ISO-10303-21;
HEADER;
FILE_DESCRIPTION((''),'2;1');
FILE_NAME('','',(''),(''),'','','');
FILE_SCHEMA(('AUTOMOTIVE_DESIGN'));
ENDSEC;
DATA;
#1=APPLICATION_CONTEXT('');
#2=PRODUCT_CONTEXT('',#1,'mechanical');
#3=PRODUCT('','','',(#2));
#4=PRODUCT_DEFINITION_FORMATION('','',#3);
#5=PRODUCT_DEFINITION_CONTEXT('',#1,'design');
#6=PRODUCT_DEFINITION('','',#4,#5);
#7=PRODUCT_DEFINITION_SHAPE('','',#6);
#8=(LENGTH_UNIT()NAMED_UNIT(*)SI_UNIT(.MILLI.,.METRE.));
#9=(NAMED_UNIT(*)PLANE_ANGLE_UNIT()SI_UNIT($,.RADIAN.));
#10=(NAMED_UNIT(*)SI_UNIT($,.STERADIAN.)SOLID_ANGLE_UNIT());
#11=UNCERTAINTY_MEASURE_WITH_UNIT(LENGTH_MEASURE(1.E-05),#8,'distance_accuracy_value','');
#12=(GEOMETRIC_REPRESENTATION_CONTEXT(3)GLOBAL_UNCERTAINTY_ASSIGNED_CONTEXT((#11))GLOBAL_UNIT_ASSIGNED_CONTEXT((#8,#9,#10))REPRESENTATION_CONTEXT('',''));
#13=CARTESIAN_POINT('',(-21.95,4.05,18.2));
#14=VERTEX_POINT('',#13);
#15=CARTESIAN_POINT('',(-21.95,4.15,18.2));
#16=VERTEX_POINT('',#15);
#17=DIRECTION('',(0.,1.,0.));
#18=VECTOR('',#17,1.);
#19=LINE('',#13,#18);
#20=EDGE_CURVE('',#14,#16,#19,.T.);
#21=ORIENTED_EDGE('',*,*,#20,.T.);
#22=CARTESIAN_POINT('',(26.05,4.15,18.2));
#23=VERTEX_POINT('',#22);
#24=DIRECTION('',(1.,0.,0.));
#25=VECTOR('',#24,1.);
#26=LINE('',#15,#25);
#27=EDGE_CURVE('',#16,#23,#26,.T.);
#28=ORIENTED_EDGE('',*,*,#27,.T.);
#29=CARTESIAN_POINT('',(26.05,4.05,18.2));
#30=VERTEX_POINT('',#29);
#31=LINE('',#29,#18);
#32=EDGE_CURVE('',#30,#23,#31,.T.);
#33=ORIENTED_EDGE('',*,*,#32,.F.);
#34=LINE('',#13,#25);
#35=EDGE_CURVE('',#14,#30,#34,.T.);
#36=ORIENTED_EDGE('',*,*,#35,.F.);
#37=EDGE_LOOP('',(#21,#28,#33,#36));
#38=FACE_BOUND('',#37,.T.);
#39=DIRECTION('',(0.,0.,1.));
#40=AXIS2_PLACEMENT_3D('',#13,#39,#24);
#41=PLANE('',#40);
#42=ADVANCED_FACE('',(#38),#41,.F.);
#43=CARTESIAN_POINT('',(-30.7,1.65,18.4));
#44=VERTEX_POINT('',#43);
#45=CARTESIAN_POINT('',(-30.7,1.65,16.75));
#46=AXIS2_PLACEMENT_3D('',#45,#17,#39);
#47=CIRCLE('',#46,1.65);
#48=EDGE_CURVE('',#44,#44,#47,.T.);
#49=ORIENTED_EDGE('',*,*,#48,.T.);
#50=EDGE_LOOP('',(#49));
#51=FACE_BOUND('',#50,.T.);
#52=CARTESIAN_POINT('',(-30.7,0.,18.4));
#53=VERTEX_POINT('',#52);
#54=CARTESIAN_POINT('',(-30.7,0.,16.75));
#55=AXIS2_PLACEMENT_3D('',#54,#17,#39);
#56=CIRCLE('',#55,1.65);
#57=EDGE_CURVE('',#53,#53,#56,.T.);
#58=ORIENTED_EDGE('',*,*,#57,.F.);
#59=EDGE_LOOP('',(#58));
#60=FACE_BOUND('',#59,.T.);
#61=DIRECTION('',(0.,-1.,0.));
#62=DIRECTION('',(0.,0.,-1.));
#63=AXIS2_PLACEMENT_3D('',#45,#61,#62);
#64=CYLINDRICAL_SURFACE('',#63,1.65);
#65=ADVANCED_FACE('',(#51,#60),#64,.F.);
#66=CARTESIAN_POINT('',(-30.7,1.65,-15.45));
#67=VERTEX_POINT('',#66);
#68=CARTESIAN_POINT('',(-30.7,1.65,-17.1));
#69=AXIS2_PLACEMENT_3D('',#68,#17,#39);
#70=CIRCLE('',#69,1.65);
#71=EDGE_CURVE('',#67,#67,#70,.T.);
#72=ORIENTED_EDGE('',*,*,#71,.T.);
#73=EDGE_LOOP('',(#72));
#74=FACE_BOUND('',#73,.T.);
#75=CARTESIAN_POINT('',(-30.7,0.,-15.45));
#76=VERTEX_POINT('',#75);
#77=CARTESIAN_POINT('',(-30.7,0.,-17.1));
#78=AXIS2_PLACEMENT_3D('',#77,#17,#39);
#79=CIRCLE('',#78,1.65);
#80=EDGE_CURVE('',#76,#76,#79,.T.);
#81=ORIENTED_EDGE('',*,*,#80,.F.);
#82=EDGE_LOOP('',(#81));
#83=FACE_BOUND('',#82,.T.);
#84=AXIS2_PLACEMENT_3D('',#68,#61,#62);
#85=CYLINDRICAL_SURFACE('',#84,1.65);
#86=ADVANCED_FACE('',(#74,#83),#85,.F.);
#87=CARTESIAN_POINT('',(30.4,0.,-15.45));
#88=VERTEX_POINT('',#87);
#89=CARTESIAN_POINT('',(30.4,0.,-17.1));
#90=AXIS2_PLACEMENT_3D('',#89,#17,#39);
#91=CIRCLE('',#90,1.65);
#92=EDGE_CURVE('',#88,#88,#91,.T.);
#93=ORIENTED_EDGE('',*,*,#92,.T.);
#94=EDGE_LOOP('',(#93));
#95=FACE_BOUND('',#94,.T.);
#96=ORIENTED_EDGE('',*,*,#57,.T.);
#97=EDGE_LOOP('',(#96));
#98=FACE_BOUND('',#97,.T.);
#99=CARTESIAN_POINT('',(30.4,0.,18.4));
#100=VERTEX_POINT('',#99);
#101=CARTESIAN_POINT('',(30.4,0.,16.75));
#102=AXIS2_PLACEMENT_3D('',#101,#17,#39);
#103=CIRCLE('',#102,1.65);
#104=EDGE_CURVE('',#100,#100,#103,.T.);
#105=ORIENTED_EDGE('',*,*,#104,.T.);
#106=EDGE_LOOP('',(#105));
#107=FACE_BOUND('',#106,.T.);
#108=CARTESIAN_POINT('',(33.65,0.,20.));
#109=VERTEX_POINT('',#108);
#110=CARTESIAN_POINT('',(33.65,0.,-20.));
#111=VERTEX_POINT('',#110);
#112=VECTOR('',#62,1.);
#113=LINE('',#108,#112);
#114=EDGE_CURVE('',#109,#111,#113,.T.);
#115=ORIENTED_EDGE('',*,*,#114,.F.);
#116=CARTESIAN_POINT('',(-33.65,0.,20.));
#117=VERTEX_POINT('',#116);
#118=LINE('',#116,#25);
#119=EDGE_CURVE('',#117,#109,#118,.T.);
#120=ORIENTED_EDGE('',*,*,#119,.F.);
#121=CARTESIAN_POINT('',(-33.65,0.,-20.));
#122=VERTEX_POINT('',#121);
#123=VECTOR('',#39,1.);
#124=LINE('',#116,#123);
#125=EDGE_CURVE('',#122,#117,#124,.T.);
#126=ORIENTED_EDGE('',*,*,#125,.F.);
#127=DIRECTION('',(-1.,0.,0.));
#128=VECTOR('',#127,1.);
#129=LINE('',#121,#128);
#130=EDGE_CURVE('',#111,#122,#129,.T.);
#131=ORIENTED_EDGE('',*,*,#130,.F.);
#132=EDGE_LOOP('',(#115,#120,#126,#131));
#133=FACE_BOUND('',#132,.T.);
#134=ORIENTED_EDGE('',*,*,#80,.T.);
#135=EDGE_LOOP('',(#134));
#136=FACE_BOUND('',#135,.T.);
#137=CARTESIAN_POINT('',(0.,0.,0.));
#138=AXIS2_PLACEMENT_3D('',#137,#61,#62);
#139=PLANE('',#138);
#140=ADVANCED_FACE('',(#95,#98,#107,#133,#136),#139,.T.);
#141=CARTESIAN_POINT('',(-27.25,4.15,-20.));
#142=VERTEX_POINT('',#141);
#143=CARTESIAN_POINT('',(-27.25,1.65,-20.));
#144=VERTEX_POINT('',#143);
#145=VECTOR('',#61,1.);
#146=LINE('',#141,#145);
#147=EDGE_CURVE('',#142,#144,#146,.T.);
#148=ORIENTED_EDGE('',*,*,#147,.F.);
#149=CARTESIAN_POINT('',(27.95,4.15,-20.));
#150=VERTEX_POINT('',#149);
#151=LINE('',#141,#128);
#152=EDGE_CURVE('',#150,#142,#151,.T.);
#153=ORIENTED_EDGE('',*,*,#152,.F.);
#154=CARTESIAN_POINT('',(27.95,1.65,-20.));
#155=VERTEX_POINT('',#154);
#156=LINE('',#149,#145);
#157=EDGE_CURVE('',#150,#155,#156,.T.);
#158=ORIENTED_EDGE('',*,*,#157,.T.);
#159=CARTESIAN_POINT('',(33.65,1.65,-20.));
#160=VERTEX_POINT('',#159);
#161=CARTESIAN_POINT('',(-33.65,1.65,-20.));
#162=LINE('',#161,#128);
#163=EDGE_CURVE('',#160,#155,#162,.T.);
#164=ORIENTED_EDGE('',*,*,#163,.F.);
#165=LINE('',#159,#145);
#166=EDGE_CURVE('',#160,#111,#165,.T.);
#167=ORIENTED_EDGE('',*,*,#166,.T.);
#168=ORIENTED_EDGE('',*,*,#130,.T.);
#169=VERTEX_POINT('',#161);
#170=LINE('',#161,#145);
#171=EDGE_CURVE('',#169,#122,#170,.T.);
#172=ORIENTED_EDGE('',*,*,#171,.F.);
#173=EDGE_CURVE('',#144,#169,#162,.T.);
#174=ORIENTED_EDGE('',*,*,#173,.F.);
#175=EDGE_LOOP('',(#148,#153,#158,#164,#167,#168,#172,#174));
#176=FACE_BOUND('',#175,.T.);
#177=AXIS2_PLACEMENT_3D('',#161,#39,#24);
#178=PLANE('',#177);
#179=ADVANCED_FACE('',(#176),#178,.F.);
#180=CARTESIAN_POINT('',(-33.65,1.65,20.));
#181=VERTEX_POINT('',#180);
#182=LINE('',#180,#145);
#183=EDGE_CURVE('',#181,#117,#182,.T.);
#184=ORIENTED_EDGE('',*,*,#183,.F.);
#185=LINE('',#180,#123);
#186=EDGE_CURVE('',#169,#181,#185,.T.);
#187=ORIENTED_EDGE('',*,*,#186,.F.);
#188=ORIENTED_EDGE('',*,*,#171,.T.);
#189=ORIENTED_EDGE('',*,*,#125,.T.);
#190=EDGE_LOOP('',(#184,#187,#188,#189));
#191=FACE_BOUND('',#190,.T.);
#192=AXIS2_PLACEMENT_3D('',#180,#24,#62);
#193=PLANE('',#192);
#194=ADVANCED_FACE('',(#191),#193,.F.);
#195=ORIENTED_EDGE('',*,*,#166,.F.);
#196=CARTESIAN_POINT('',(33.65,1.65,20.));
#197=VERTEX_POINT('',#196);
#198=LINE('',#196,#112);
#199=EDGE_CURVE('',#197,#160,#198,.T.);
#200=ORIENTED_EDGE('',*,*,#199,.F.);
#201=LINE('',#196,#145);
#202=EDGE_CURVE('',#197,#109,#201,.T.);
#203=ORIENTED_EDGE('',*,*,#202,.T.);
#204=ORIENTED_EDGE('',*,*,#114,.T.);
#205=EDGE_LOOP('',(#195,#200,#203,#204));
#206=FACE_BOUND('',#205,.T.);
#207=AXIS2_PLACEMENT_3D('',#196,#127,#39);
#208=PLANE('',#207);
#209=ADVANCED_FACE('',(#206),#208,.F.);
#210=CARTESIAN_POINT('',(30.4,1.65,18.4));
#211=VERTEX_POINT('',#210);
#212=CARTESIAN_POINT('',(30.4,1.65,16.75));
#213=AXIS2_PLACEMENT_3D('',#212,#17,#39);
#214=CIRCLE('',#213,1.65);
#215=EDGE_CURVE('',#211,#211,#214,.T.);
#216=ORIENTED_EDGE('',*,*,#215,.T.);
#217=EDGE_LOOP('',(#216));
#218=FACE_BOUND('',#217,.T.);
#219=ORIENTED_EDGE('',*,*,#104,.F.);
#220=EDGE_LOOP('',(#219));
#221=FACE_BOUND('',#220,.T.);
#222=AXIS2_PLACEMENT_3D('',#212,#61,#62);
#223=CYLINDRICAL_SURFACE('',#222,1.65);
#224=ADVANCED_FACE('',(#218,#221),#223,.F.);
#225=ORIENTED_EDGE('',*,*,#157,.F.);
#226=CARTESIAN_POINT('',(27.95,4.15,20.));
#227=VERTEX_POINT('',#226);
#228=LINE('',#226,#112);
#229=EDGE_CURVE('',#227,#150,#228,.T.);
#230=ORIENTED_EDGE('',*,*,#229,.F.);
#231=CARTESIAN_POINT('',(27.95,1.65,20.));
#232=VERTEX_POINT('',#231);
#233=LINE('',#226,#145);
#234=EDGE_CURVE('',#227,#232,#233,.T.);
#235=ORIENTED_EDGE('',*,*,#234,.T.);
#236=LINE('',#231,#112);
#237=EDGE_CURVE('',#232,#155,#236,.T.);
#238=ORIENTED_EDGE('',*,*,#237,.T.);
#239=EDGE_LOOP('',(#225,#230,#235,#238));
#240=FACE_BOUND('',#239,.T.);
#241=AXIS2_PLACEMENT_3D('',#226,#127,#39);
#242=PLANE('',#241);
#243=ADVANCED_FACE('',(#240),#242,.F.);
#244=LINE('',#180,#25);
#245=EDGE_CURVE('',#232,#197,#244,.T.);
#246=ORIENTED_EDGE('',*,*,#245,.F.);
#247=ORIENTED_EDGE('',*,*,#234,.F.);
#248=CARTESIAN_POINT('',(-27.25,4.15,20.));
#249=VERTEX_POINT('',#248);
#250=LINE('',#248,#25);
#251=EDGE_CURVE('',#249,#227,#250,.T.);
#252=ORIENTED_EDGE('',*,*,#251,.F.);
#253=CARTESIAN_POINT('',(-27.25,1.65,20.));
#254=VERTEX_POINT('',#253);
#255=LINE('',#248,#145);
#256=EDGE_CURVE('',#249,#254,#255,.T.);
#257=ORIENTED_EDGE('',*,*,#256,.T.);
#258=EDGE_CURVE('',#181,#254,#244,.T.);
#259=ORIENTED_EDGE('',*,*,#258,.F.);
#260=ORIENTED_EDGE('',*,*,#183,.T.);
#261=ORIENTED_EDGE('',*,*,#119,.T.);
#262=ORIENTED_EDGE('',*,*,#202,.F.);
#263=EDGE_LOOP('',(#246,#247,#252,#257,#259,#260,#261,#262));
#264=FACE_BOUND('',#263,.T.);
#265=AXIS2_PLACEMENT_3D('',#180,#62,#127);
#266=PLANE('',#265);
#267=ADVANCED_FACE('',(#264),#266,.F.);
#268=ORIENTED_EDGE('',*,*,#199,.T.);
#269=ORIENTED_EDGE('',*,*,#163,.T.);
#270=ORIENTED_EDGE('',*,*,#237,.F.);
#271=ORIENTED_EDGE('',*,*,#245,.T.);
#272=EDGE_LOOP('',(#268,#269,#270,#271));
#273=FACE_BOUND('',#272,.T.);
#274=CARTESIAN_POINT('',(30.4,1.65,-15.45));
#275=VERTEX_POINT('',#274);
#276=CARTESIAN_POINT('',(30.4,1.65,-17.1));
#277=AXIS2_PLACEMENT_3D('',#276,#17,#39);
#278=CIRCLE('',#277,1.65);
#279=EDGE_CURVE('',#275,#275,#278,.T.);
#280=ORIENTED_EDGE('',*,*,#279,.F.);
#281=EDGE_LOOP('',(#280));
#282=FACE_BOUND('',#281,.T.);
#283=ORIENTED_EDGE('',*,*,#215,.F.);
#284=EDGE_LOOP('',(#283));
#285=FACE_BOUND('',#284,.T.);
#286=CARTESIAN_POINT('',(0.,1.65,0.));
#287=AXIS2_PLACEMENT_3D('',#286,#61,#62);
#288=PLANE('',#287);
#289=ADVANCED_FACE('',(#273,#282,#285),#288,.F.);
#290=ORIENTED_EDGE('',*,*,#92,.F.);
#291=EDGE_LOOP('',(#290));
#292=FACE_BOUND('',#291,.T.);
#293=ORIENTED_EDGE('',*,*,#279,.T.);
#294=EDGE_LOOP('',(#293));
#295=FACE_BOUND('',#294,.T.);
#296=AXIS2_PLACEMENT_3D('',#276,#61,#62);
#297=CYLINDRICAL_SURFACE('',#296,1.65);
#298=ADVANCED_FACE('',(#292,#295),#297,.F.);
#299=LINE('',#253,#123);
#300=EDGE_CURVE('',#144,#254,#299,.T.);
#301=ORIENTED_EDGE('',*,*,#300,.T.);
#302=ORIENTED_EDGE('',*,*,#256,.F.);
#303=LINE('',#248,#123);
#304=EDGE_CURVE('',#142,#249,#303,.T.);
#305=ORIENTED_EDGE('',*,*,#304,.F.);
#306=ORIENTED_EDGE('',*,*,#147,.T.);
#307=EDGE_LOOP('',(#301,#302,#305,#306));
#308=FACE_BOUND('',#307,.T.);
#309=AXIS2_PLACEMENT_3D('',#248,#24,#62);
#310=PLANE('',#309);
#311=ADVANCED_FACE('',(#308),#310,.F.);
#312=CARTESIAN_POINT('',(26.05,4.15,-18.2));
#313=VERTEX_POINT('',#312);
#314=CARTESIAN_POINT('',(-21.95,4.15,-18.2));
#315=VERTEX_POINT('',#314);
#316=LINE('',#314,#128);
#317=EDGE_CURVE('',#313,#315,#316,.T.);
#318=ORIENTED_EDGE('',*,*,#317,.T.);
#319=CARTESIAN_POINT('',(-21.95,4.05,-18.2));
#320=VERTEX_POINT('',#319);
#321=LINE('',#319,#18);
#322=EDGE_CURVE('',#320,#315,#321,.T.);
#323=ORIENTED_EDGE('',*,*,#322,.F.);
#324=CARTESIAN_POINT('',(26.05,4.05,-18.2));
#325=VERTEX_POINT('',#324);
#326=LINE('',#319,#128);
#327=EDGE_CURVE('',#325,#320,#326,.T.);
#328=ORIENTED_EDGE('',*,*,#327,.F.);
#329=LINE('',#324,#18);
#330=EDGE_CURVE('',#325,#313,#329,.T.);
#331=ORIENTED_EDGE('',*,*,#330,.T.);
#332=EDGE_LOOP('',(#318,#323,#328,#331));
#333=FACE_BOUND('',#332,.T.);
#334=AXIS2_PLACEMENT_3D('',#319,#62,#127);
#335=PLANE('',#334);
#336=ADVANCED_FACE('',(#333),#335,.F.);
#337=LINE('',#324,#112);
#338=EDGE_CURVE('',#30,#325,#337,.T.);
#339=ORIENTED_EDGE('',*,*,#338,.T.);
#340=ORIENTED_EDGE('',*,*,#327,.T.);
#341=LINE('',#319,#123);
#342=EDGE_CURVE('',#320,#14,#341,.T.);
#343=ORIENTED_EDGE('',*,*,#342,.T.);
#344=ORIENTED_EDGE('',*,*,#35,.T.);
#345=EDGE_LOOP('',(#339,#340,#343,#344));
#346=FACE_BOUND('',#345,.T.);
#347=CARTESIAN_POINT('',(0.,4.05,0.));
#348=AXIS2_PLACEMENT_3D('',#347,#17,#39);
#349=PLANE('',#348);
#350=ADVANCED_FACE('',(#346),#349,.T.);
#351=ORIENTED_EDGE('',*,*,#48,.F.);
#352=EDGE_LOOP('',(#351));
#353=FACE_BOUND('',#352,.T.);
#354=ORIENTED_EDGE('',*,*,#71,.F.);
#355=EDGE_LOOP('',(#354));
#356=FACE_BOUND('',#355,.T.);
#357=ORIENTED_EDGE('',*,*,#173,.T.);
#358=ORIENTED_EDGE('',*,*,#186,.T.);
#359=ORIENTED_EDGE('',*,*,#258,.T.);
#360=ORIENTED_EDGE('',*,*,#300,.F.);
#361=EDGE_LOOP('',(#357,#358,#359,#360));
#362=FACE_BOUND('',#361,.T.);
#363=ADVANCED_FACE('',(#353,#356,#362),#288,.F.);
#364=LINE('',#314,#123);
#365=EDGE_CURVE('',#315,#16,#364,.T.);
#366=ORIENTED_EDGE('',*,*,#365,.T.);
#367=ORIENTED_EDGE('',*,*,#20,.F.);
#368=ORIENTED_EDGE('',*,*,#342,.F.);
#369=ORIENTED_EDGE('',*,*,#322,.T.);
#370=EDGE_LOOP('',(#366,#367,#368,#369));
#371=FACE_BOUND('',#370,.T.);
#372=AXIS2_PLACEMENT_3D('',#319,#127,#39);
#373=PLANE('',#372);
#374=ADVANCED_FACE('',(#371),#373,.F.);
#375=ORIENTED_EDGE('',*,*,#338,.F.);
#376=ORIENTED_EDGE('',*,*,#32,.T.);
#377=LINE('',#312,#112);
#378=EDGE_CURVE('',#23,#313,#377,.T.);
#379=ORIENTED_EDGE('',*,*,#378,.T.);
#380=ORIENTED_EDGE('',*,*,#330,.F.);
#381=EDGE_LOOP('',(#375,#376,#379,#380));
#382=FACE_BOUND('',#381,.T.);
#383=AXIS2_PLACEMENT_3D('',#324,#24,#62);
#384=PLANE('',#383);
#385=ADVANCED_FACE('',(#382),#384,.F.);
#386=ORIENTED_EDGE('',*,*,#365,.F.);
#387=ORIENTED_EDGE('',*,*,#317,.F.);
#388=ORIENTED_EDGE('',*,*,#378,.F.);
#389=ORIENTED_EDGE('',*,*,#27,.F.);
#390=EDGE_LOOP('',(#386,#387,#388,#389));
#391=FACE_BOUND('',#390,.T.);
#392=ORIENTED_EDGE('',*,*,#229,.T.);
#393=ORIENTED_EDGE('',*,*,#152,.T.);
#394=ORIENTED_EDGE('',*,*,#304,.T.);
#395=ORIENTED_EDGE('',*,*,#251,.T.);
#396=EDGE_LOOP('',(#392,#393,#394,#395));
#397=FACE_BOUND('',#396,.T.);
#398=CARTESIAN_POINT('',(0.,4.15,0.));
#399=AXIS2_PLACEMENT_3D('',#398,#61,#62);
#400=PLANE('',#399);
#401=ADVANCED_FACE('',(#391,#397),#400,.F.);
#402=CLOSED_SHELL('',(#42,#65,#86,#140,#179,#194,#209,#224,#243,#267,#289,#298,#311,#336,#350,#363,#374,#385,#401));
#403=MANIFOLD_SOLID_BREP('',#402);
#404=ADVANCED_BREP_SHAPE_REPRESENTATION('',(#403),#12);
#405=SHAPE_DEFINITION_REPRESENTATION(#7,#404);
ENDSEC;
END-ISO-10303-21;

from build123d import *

# Parameters (mm, degrees)
SKETCH1_W           = 67.3
SKETCH1_H           = 40
SKETCH1_R           = 1.65
BOSS_EXTRUDE1_DEPTH = 1.65
SKETCH2_W           = 55.2
SKETCH2_H           = 40
BOSS_EXTRUDE2_DEPTH = 2.5
SKETCH3_W           = 48
SKETCH3_H           = 36.4
CUT_EXTRUDE1_DEPTH  = 0.1


with BuildPart() as part:
    # Sketch1 → Boss-Extrude1 (new body)
    with BuildSketch(Plane(origin=(0, 0, 0), x_dir=(1, 0, 0), z_dir=(0, 1, 0))):
        Rectangle(SKETCH1_W, SKETCH1_H)
        with Locations(Location((-30.7, 17.1, 0), (0, 0, 270))):  # turned: the seam where the file's is
            Circle(SKETCH1_R, mode=Mode.SUBTRACT)
        with Locations(Location((-30.7, -16.75, 0), (0, 0, 270))):  # turned: the seam where the file's is
            Circle(SKETCH1_R, mode=Mode.SUBTRACT)
        with Locations(Location((30.4, -16.75, 0), (0, 0, 270))):  # turned: the seam where the file's is
            Circle(SKETCH1_R, mode=Mode.SUBTRACT)
        with Locations(Location((30.4, 17.1, 0), (0, 0, 270))):  # turned: the seam where the file's is
            Circle(SKETCH1_R, mode=Mode.SUBTRACT)
    extrude(amount=BOSS_EXTRUDE1_DEPTH)

    # Sketch2 → Boss-Extrude2 (add)
    with BuildSketch(Plane(origin=(0, 1.65, 0), x_dir=(1, 0, 0), z_dir=(0, 1, 0))):
        with Locations((0.35, 0)):
            Rectangle(SKETCH2_W, SKETCH2_H)
    extrude(amount=BOSS_EXTRUDE2_DEPTH)

    # Sketch3 → Cut-Extrude1 (cut)
    with BuildSketch(Plane(origin=(0, 4.15, 0), x_dir=(1, 0, 0), z_dir=(0, 1, 0))):
        with Locations((2.05, 0)):
            Rectangle(SKETCH3_W, SKETCH3_H)
    extrude(amount=-CUT_EXTRUDE1_DEPTH, mode=Mode.SUBTRACT)


solid = part.part
